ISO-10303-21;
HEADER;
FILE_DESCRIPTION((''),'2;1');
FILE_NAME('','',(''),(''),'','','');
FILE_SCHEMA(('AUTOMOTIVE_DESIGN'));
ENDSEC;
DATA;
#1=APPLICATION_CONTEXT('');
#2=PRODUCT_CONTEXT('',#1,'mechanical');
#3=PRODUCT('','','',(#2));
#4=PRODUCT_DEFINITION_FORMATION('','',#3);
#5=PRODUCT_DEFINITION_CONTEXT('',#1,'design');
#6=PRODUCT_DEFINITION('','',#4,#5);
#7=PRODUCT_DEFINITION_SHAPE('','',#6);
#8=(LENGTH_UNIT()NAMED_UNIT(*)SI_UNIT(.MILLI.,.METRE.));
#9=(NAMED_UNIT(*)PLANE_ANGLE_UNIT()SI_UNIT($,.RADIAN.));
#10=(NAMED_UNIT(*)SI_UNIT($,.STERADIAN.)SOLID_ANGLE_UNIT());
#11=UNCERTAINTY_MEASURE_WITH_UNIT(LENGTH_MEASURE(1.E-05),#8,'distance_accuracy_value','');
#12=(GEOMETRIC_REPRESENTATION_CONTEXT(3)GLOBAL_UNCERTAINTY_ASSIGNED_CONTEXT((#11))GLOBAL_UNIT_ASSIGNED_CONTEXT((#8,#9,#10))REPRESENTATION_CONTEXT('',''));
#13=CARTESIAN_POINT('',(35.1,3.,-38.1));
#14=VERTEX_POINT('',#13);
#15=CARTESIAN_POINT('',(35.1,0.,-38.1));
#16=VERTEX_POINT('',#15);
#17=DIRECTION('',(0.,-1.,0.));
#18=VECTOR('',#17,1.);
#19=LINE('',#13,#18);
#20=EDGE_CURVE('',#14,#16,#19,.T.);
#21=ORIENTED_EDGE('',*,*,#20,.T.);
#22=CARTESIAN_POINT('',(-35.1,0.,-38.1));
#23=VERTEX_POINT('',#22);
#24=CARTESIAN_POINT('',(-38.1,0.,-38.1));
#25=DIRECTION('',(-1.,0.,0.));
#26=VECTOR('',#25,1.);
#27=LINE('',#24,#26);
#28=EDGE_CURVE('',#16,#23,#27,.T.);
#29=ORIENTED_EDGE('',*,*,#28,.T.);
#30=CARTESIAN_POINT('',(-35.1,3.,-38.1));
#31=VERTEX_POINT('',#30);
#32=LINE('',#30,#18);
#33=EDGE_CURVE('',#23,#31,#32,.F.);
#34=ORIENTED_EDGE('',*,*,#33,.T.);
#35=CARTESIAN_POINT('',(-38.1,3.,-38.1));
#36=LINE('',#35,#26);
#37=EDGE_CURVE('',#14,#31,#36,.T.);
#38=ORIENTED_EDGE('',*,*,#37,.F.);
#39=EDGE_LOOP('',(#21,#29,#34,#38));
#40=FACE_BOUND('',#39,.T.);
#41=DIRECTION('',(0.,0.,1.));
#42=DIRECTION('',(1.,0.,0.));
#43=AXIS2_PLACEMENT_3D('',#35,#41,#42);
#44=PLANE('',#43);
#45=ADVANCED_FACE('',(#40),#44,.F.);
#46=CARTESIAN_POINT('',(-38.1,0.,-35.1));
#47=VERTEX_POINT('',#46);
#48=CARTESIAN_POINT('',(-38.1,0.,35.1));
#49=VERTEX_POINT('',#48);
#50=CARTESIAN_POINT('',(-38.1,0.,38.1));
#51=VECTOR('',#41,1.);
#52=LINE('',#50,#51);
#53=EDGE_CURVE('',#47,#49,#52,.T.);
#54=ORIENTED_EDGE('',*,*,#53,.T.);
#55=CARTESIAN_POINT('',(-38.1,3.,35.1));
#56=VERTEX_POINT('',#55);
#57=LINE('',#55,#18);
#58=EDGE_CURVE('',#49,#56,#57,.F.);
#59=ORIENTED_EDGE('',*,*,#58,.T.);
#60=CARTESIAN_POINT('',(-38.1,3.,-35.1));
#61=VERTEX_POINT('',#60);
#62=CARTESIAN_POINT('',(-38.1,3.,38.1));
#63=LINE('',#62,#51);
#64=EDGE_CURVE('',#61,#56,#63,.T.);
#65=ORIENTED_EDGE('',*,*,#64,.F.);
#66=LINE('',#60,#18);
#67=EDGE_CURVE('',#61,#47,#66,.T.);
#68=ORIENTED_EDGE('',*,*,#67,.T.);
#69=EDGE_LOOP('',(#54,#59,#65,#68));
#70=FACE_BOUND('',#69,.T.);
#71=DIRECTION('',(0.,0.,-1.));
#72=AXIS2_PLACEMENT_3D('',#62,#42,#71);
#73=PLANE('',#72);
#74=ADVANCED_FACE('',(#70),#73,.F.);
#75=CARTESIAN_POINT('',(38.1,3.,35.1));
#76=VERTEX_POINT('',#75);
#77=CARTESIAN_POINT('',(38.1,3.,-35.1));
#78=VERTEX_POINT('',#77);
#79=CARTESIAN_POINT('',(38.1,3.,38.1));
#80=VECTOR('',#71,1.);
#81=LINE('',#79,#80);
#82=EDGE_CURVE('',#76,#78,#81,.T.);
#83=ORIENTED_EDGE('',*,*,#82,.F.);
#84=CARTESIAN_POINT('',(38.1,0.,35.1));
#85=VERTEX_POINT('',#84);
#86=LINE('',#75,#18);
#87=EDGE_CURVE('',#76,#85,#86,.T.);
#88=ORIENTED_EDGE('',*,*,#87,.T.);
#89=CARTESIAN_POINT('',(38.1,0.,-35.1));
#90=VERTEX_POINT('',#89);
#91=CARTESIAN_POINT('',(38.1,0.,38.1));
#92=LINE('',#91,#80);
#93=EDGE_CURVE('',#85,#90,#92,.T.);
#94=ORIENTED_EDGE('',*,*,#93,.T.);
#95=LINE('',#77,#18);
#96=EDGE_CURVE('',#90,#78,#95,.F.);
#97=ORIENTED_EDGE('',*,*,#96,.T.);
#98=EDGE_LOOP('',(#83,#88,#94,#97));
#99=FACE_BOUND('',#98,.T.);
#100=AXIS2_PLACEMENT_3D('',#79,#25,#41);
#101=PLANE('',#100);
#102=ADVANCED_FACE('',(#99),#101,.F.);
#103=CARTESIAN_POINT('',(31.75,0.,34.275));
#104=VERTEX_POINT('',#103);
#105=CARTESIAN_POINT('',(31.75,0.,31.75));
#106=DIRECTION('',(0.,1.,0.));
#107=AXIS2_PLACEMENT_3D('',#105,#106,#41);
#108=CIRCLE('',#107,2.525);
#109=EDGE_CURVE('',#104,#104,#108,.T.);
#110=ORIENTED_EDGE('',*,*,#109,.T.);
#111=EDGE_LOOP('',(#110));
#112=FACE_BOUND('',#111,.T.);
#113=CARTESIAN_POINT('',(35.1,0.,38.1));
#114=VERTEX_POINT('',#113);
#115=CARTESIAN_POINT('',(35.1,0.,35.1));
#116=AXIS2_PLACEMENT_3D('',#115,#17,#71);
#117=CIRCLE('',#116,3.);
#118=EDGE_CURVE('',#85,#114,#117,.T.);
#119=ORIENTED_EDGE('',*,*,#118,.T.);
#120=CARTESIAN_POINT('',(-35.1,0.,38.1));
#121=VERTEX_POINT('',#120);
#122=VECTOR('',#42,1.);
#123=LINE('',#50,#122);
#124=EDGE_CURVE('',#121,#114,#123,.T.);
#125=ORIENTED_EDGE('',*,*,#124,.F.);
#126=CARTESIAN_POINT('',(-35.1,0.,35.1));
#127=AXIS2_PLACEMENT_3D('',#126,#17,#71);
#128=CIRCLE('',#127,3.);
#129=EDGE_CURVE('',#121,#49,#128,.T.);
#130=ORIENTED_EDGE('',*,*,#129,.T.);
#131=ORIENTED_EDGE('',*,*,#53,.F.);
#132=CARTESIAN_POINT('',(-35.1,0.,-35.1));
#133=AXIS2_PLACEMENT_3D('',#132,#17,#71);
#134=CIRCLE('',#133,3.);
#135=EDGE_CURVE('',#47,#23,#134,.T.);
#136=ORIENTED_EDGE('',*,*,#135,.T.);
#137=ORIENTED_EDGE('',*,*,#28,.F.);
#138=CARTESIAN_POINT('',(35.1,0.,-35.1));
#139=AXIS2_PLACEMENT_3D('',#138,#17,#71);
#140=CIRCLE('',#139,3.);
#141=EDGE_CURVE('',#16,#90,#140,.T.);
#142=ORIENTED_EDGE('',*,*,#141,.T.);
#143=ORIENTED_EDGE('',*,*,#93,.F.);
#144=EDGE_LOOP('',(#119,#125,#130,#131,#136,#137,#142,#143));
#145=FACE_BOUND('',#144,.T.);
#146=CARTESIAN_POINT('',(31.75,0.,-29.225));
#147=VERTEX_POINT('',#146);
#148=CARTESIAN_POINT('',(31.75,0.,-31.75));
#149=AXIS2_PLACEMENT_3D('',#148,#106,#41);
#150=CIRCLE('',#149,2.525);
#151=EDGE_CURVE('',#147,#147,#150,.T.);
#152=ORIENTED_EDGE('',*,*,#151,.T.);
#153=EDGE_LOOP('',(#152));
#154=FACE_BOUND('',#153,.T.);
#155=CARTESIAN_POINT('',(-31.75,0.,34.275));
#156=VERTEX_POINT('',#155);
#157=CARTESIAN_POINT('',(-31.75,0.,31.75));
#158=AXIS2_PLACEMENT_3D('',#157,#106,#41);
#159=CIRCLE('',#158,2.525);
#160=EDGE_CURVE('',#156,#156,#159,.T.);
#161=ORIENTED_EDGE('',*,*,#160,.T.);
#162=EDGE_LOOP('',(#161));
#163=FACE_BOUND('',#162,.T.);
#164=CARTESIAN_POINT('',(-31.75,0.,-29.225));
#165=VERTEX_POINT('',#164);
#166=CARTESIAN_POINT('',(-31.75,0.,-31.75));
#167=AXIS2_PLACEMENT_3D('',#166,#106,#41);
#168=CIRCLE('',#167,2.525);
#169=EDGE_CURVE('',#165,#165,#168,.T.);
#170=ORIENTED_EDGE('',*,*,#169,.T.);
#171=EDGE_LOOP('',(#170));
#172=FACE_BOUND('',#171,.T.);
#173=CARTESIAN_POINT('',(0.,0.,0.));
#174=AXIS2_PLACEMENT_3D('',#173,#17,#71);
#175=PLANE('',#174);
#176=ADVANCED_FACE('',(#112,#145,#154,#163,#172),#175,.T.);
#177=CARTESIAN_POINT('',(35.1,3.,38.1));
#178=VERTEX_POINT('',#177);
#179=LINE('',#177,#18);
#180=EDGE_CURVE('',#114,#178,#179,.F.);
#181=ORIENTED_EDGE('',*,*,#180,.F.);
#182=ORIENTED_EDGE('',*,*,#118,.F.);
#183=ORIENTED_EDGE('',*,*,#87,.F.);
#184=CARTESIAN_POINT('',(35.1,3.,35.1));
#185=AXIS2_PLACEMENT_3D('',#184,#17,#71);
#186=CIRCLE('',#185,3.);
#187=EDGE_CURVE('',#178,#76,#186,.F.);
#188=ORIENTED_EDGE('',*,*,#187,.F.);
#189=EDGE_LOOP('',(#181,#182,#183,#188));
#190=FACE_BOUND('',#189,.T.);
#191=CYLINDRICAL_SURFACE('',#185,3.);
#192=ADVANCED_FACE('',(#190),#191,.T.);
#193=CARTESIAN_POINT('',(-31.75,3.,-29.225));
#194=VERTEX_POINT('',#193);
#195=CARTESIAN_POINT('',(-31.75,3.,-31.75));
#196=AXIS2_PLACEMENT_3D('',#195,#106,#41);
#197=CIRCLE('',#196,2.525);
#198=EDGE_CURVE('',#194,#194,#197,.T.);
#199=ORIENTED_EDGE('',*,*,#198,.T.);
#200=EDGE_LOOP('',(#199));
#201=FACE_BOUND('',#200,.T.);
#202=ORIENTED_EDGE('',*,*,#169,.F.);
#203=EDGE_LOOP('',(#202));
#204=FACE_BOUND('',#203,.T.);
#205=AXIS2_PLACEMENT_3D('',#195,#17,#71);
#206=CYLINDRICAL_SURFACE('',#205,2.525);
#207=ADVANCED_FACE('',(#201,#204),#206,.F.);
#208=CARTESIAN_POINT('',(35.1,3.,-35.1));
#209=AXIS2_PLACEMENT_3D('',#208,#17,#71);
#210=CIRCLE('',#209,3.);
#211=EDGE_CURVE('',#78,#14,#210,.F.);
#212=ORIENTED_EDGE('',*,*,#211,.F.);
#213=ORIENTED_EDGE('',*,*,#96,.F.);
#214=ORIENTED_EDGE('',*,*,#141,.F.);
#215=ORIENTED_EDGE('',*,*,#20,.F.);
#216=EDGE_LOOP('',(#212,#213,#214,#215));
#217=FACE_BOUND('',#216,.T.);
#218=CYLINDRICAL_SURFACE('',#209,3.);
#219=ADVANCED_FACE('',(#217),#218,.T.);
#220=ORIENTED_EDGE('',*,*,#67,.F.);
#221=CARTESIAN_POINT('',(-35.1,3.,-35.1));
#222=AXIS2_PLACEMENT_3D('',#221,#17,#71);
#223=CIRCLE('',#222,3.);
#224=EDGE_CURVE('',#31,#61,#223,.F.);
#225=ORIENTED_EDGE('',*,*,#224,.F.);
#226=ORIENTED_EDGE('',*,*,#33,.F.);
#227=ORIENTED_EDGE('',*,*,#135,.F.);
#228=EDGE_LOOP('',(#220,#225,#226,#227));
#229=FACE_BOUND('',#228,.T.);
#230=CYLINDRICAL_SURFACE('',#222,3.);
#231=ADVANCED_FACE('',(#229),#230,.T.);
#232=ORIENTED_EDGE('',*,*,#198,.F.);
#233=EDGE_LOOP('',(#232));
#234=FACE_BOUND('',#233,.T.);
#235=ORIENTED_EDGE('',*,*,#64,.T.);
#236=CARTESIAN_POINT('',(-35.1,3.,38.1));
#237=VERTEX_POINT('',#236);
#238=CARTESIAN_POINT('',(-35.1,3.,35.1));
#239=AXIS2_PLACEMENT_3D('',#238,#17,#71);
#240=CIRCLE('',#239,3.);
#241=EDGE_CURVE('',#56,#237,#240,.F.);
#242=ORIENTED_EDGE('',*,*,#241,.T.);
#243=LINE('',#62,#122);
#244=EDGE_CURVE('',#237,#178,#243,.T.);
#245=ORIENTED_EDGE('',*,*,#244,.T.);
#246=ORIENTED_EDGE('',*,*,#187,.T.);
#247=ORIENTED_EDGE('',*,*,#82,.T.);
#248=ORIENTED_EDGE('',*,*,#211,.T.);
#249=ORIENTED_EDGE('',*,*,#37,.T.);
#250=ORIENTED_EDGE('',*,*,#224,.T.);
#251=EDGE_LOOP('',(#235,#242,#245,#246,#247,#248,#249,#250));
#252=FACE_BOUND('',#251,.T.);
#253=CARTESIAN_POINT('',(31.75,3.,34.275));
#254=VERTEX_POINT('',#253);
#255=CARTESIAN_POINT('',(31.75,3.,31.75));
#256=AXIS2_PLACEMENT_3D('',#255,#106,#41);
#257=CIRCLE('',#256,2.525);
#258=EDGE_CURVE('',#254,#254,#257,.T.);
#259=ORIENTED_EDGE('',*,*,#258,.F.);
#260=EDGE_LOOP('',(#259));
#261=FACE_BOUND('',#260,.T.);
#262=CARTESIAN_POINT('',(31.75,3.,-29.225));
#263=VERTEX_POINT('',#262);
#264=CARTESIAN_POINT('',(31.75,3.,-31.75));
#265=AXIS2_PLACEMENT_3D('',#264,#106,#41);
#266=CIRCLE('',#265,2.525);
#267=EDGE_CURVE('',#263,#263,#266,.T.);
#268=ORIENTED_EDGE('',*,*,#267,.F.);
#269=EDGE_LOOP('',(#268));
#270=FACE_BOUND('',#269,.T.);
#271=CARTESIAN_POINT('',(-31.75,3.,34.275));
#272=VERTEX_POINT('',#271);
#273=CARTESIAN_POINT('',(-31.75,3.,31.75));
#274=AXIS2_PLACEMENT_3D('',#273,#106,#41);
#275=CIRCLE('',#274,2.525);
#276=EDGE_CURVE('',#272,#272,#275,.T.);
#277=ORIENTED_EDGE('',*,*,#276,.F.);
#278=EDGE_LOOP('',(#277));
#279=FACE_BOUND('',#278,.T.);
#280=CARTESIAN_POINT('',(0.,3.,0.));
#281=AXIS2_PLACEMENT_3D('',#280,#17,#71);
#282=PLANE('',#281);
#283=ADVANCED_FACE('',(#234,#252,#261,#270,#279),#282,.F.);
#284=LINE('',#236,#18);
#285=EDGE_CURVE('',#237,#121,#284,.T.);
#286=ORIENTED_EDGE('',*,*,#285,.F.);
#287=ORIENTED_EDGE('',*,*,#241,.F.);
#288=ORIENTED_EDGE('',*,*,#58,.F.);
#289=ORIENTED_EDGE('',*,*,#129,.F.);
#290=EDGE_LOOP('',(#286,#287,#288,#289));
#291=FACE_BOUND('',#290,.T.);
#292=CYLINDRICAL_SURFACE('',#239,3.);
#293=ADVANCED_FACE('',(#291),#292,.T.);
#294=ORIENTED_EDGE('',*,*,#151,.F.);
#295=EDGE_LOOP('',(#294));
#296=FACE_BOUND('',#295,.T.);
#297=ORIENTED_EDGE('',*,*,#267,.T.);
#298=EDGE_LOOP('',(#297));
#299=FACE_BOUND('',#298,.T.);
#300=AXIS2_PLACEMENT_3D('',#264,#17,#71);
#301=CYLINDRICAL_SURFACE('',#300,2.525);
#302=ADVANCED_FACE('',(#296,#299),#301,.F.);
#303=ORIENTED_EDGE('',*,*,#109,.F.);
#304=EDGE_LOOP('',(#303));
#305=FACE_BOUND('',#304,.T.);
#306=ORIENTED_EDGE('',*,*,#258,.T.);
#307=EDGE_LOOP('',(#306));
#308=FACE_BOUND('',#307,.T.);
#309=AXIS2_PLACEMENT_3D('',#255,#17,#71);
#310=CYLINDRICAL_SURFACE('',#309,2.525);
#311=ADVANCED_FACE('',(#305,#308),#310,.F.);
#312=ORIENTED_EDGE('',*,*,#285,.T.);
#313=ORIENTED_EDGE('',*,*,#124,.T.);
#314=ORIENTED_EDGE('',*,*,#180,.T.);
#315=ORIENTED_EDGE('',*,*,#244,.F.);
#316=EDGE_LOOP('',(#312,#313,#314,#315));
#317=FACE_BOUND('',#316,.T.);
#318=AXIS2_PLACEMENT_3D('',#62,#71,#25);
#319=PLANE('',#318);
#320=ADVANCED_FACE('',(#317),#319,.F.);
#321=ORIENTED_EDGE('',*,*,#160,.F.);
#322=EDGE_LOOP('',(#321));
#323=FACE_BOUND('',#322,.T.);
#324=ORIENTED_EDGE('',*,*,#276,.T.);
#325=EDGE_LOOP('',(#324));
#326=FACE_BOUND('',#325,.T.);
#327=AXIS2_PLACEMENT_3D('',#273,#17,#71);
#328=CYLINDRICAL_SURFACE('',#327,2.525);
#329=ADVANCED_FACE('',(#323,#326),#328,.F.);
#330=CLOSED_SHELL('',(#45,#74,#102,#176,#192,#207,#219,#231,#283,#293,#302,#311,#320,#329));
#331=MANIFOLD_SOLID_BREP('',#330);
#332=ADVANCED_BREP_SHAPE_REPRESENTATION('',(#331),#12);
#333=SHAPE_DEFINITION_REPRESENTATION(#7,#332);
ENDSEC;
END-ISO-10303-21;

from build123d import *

# Parameters (mm, degrees)
SKETCH1_W           = 76.2
SKETCH1_H           = 76.2
SKETCH1_R           = 2.525
BOSS_EXTRUDE1_DEPTH = 3
FILLET1_R           = 3


with BuildPart() as part:
    # Sketch1 → Boss-Extrude1 (new body)
    with BuildSketch(Plane(origin=(0, 0, 0), x_dir=(1, 0, 0), z_dir=(0, 1, 0))):
        Rectangle(SKETCH1_W, SKETCH1_H)
        with Locations(Location((-31.75, 31.75, 0), (0, 0, 270))):
            Circle(SKETCH1_R, mode=Mode.SUBTRACT)
        with Locations(Location((31.75, 31.75, 0), (0, 0, 270))):
            Circle(SKETCH1_R, mode=Mode.SUBTRACT)
        with Locations(Location((31.75, -31.75, 0), (0, 0, 270))):
            Circle(SKETCH1_R, mode=Mode.SUBTRACT)
        with Locations(Location((-31.75, -31.75, 0), (0, 0, 270))):
            Circle(SKETCH1_R, mode=Mode.SUBTRACT)
    extrude(amount=BOSS_EXTRUDE1_DEPTH)

    # Fillet1
    fillet1_edges = [part.edges().sort_by_distance(p)[0] for p in [
        (38.1, 1.5, 38.1),
        (-38.1, 1.5, 38.1),
        (-38.1, 1.5, -38.1),
        (38.1, 1.5, -38.1),
    ]]
    fillet(fillet1_edges, radius=FILLET1_R)


solid = part.part
